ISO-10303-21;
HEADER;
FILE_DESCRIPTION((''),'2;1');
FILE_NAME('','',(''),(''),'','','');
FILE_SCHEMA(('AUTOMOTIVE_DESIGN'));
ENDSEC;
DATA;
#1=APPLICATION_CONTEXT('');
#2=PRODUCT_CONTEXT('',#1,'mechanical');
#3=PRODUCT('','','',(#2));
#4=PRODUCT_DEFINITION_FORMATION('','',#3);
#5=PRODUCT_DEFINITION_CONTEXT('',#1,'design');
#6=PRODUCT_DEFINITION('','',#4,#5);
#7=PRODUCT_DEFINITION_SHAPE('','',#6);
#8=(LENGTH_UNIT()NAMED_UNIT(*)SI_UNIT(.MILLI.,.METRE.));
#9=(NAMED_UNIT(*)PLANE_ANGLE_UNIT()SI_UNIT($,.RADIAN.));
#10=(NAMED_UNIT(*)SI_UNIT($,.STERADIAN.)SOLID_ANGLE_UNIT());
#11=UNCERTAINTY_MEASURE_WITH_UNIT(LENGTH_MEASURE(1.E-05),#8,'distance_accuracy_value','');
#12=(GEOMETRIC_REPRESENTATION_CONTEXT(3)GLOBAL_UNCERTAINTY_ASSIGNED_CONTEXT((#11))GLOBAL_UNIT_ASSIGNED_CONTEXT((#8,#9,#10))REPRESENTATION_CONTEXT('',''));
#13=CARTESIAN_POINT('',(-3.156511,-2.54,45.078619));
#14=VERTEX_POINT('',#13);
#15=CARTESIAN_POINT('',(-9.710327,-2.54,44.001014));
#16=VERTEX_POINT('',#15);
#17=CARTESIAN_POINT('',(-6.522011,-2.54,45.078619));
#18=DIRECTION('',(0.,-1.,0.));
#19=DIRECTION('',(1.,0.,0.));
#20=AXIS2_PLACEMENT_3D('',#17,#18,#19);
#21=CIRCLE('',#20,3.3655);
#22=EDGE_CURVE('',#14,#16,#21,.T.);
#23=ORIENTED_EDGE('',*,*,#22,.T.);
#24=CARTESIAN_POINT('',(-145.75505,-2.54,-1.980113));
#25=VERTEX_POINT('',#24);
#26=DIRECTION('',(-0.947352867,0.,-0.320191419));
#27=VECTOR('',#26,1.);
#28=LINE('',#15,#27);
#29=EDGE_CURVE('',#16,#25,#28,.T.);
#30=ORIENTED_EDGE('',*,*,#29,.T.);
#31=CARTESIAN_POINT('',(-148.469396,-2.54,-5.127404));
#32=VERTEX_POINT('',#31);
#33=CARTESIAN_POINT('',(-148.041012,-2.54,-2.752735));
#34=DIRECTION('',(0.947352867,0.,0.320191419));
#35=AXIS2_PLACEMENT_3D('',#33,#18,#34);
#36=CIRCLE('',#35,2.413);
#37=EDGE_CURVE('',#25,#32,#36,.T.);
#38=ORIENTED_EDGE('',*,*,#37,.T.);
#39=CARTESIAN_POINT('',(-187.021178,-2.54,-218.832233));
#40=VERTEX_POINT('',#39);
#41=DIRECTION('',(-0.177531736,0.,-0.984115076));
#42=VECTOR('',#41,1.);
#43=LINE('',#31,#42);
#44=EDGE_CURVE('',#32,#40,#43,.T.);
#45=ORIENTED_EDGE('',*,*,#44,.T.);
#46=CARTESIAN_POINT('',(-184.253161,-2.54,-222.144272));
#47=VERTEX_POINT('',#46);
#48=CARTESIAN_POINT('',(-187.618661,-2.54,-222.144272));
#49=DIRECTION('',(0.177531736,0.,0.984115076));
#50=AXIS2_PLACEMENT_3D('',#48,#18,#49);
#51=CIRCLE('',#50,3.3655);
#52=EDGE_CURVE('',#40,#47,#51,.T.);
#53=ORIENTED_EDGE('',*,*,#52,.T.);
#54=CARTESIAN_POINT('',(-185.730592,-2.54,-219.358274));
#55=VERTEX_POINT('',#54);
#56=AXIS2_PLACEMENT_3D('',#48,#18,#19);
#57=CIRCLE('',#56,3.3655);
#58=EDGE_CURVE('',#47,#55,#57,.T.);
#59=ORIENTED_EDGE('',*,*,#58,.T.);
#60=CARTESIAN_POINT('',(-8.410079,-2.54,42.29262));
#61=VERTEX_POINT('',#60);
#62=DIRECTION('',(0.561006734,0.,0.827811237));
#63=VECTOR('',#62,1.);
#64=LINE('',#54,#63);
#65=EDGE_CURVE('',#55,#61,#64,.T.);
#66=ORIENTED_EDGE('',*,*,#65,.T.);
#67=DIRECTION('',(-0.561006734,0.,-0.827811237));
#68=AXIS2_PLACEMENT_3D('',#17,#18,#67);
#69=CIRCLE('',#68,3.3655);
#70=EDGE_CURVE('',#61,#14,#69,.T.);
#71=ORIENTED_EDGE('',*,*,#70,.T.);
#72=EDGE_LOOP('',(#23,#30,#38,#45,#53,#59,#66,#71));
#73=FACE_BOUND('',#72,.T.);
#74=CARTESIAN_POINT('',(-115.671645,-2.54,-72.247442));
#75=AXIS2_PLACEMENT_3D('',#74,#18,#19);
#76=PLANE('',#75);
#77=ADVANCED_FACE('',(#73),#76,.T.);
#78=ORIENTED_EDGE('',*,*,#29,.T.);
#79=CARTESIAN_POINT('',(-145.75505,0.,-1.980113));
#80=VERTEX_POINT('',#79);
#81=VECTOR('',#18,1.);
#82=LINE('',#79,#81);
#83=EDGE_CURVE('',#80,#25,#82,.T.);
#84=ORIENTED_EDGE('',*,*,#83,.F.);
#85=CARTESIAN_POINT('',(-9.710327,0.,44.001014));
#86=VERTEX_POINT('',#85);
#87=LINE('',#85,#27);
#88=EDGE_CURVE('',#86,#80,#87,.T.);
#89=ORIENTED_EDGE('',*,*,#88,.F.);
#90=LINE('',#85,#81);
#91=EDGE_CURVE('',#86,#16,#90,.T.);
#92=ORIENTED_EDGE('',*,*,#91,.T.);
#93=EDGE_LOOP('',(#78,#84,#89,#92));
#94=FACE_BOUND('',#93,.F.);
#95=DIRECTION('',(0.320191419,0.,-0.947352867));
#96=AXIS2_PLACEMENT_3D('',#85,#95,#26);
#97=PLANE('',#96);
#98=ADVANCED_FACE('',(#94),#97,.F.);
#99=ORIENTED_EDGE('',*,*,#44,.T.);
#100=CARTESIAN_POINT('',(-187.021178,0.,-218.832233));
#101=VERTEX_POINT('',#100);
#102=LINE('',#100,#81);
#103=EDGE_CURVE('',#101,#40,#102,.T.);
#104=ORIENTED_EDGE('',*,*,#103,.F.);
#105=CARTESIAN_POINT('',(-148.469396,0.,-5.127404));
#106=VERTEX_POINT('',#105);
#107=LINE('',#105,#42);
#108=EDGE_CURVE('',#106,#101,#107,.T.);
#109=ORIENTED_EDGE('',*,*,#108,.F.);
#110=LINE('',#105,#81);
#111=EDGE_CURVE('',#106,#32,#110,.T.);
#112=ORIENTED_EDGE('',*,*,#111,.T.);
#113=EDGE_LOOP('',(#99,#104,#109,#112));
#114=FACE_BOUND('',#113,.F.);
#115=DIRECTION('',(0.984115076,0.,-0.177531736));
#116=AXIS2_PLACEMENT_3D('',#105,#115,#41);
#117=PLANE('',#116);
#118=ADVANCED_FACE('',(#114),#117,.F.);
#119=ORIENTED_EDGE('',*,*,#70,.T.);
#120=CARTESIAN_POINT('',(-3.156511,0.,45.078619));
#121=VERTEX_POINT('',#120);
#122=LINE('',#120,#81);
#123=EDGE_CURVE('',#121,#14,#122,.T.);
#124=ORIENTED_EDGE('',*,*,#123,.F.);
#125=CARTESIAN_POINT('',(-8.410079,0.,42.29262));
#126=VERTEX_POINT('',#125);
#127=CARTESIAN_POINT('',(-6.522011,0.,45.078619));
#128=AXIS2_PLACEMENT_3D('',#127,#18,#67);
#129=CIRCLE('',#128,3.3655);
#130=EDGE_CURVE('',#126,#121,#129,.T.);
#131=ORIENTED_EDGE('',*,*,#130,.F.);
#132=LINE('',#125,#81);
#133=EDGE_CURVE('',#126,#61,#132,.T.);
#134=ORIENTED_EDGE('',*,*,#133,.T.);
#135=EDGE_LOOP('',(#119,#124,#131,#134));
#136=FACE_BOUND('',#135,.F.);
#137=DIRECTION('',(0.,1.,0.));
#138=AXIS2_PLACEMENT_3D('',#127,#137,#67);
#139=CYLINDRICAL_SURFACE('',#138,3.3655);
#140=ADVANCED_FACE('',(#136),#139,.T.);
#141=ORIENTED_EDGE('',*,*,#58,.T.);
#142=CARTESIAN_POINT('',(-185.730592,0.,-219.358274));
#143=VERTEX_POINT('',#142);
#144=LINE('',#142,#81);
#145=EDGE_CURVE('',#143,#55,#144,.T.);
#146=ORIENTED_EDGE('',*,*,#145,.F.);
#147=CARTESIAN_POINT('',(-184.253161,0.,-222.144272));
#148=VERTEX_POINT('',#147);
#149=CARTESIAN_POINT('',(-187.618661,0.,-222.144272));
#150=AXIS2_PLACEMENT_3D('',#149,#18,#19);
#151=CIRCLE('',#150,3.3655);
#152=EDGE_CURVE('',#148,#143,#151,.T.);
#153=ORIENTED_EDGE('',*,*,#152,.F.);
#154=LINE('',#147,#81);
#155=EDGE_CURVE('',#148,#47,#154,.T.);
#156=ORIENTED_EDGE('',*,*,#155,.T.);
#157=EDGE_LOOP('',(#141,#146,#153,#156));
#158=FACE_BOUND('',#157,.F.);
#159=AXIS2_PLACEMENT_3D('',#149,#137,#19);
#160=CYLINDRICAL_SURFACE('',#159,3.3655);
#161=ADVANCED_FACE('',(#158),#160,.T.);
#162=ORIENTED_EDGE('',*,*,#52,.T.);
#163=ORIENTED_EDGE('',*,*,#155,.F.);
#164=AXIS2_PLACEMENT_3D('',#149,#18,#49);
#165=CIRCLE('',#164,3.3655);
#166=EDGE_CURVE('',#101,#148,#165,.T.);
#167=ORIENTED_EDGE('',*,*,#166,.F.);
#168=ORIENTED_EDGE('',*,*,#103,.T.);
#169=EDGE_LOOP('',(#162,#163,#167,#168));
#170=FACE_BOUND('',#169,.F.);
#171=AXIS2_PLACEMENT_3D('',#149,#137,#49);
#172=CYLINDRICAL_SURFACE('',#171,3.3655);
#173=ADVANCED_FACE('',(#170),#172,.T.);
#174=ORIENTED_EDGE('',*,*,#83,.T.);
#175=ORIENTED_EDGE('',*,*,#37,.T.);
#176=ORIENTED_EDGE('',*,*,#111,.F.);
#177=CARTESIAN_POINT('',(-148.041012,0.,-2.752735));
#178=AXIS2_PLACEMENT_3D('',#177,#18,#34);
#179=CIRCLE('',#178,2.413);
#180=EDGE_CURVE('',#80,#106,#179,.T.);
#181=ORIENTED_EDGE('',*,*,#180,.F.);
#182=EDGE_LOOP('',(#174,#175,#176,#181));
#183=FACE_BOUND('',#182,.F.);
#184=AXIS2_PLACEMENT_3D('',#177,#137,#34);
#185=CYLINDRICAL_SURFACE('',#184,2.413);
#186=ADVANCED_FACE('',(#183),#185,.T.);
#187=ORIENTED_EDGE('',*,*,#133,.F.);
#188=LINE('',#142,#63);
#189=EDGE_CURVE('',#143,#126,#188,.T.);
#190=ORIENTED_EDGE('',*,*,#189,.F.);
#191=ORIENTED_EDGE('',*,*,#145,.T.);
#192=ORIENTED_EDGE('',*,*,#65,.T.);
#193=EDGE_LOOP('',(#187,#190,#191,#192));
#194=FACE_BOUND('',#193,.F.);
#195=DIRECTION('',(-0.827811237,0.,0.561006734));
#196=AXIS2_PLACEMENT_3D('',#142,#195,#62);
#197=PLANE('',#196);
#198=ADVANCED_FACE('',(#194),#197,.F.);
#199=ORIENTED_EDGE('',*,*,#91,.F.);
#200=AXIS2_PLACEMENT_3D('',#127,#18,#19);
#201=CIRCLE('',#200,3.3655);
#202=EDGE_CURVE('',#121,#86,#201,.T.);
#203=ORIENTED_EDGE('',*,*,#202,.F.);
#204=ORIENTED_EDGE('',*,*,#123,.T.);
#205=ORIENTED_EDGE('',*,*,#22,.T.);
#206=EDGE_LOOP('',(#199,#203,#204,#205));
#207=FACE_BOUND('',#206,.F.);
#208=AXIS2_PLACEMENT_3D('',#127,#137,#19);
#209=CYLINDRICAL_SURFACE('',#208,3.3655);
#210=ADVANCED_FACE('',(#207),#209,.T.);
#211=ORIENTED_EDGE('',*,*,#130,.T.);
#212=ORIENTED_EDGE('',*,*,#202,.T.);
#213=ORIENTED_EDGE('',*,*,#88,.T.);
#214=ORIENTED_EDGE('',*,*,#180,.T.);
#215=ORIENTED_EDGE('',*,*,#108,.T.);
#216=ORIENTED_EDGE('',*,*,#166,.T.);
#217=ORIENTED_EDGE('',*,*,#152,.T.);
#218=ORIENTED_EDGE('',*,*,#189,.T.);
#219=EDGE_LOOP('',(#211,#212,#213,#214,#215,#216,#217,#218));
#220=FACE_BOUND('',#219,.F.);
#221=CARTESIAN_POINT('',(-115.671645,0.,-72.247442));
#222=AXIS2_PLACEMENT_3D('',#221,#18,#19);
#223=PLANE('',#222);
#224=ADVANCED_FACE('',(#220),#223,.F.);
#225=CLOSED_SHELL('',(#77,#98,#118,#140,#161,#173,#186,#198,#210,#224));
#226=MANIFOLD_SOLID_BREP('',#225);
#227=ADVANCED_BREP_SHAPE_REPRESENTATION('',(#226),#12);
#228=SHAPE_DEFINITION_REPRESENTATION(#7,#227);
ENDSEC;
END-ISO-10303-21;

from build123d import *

# Parameters (mm, degrees)
F1_DEPTH = 2.54


with BuildPart() as f1:
    # F0 (on Front) → F1 (new body)
    with BuildSketch(Plane.XZ):
        with BuildLine():
            ThreePointArc((-145.7550496822, -1.980112821), (-145.6599833362, -2.3612365902), (-145.6280121514, -2.752734714))
            ThreePointArc((-145.6280121514, -2.752734714), (-146.4936146234, -4.6042556807), (-148.4693962296, -5.1274043924))
            Line((-148.4693962296, -5.1274043924), (-187.0211775011, -218.8322330784))
            ThreePointArc((-187.0211775011, -218.8322330784), (-186.3483570952, -219.0277166776), (-185.7305923943, -219.3582736479))
            Line((-185.7305923943, -219.3582736479), (-8.4100794876, 42.2926197897))
            ThreePointArc((-8.4100794876, 42.2926197897), (-9.2000837984, 43.0403550137), (-9.7103273998, 44.0010142893))
            Line((-9.7103273998, 44.0010142893), (-145.7550496822, -1.980112821))
        make_face()
        with BuildLine():
            ThreePointArc((-3.1565113243, 45.0786185085), (-7.0680481812, 48.3995271192), (-9.7103273998, 44.0010142893))
            Line((-9.7103273998, 44.0010142893), (-6.5220113243, 45.0786185085))
            Line((-6.5220113243, 45.0786185085), (-8.4100794876, 42.2926197897))
            ThreePointArc((-8.4100794876, 42.2926197897), (-4.9452588316, 42.1053304587), (-3.1565113243, 45.0786185085))
        make_face()
        with BuildLine():
            Line((-6.5220113243, 45.0786185085), (-9.7103273998, 44.0010142893))
            ThreePointArc((-9.7103273998, 44.0010142893), (-9.2000837984, 43.0403550137), (-8.4100794876, 42.2926197897))
            Line((-8.4100794876, 42.2926197897), (-6.5220113243, 45.0786185085))
        make_face()
        with BuildLine():
            ThreePointArc((-148.4693962296, -5.1274043924), (-146.4936146234, -4.6042556807), (-145.6280121514, -2.752734714))
            ThreePointArc((-145.6280121514, -2.752734714), (-145.6599833362, -2.3612365902), (-145.7550496822, -1.980112821))
            Line((-145.7550496822, -1.980112821), (-148.0410121514, -2.752734714))
            Line((-148.0410121514, -2.752734714), (-148.4693962296, -5.1274043924))
        make_face()
        with BuildLine():
            Line((-148.0410121514, -2.752734714), (-145.7550496822, -1.980112821))
            ThreePointArc((-145.7550496822, -1.980112821), (-149.8683080849, -1.1768036966), (-148.4693962296, -5.1274043924))
            Line((-148.4693962296, -5.1274043924), (-148.0410121514, -2.752734714))
        make_face()
        with BuildLine():
            Line((-187.6186605575, -222.1442723667), (-187.0211775011, -218.8322330784))
            ThreePointArc((-187.0211775011, -218.8322330784), (-190.2010450638, -224.3024847084), (-184.2531605575, -222.1442723667))
            ThreePointArc((-184.2531605575, -222.1442723667), (-184.6453725078, -220.567519874), (-185.7305923943, -219.3582736479))
            Line((-185.7305923943, -219.3582736479), (-187.6186605575, -222.1442723667))
        make_face()
        with BuildLine():
            ThreePointArc((-185.7305923943, -219.3582736479), (-186.3483570952, -219.0277166776), (-187.0211775011, -218.8322330784))
            Line((-187.0211775011, -218.8322330784), (-187.6186605575, -222.1442723667))
            Line((-187.6186605575, -222.1442723667), (-185.7305923943, -219.3582736479))
        make_face()
    extrude(amount=F1_DEPTH)


solid = f1.part
